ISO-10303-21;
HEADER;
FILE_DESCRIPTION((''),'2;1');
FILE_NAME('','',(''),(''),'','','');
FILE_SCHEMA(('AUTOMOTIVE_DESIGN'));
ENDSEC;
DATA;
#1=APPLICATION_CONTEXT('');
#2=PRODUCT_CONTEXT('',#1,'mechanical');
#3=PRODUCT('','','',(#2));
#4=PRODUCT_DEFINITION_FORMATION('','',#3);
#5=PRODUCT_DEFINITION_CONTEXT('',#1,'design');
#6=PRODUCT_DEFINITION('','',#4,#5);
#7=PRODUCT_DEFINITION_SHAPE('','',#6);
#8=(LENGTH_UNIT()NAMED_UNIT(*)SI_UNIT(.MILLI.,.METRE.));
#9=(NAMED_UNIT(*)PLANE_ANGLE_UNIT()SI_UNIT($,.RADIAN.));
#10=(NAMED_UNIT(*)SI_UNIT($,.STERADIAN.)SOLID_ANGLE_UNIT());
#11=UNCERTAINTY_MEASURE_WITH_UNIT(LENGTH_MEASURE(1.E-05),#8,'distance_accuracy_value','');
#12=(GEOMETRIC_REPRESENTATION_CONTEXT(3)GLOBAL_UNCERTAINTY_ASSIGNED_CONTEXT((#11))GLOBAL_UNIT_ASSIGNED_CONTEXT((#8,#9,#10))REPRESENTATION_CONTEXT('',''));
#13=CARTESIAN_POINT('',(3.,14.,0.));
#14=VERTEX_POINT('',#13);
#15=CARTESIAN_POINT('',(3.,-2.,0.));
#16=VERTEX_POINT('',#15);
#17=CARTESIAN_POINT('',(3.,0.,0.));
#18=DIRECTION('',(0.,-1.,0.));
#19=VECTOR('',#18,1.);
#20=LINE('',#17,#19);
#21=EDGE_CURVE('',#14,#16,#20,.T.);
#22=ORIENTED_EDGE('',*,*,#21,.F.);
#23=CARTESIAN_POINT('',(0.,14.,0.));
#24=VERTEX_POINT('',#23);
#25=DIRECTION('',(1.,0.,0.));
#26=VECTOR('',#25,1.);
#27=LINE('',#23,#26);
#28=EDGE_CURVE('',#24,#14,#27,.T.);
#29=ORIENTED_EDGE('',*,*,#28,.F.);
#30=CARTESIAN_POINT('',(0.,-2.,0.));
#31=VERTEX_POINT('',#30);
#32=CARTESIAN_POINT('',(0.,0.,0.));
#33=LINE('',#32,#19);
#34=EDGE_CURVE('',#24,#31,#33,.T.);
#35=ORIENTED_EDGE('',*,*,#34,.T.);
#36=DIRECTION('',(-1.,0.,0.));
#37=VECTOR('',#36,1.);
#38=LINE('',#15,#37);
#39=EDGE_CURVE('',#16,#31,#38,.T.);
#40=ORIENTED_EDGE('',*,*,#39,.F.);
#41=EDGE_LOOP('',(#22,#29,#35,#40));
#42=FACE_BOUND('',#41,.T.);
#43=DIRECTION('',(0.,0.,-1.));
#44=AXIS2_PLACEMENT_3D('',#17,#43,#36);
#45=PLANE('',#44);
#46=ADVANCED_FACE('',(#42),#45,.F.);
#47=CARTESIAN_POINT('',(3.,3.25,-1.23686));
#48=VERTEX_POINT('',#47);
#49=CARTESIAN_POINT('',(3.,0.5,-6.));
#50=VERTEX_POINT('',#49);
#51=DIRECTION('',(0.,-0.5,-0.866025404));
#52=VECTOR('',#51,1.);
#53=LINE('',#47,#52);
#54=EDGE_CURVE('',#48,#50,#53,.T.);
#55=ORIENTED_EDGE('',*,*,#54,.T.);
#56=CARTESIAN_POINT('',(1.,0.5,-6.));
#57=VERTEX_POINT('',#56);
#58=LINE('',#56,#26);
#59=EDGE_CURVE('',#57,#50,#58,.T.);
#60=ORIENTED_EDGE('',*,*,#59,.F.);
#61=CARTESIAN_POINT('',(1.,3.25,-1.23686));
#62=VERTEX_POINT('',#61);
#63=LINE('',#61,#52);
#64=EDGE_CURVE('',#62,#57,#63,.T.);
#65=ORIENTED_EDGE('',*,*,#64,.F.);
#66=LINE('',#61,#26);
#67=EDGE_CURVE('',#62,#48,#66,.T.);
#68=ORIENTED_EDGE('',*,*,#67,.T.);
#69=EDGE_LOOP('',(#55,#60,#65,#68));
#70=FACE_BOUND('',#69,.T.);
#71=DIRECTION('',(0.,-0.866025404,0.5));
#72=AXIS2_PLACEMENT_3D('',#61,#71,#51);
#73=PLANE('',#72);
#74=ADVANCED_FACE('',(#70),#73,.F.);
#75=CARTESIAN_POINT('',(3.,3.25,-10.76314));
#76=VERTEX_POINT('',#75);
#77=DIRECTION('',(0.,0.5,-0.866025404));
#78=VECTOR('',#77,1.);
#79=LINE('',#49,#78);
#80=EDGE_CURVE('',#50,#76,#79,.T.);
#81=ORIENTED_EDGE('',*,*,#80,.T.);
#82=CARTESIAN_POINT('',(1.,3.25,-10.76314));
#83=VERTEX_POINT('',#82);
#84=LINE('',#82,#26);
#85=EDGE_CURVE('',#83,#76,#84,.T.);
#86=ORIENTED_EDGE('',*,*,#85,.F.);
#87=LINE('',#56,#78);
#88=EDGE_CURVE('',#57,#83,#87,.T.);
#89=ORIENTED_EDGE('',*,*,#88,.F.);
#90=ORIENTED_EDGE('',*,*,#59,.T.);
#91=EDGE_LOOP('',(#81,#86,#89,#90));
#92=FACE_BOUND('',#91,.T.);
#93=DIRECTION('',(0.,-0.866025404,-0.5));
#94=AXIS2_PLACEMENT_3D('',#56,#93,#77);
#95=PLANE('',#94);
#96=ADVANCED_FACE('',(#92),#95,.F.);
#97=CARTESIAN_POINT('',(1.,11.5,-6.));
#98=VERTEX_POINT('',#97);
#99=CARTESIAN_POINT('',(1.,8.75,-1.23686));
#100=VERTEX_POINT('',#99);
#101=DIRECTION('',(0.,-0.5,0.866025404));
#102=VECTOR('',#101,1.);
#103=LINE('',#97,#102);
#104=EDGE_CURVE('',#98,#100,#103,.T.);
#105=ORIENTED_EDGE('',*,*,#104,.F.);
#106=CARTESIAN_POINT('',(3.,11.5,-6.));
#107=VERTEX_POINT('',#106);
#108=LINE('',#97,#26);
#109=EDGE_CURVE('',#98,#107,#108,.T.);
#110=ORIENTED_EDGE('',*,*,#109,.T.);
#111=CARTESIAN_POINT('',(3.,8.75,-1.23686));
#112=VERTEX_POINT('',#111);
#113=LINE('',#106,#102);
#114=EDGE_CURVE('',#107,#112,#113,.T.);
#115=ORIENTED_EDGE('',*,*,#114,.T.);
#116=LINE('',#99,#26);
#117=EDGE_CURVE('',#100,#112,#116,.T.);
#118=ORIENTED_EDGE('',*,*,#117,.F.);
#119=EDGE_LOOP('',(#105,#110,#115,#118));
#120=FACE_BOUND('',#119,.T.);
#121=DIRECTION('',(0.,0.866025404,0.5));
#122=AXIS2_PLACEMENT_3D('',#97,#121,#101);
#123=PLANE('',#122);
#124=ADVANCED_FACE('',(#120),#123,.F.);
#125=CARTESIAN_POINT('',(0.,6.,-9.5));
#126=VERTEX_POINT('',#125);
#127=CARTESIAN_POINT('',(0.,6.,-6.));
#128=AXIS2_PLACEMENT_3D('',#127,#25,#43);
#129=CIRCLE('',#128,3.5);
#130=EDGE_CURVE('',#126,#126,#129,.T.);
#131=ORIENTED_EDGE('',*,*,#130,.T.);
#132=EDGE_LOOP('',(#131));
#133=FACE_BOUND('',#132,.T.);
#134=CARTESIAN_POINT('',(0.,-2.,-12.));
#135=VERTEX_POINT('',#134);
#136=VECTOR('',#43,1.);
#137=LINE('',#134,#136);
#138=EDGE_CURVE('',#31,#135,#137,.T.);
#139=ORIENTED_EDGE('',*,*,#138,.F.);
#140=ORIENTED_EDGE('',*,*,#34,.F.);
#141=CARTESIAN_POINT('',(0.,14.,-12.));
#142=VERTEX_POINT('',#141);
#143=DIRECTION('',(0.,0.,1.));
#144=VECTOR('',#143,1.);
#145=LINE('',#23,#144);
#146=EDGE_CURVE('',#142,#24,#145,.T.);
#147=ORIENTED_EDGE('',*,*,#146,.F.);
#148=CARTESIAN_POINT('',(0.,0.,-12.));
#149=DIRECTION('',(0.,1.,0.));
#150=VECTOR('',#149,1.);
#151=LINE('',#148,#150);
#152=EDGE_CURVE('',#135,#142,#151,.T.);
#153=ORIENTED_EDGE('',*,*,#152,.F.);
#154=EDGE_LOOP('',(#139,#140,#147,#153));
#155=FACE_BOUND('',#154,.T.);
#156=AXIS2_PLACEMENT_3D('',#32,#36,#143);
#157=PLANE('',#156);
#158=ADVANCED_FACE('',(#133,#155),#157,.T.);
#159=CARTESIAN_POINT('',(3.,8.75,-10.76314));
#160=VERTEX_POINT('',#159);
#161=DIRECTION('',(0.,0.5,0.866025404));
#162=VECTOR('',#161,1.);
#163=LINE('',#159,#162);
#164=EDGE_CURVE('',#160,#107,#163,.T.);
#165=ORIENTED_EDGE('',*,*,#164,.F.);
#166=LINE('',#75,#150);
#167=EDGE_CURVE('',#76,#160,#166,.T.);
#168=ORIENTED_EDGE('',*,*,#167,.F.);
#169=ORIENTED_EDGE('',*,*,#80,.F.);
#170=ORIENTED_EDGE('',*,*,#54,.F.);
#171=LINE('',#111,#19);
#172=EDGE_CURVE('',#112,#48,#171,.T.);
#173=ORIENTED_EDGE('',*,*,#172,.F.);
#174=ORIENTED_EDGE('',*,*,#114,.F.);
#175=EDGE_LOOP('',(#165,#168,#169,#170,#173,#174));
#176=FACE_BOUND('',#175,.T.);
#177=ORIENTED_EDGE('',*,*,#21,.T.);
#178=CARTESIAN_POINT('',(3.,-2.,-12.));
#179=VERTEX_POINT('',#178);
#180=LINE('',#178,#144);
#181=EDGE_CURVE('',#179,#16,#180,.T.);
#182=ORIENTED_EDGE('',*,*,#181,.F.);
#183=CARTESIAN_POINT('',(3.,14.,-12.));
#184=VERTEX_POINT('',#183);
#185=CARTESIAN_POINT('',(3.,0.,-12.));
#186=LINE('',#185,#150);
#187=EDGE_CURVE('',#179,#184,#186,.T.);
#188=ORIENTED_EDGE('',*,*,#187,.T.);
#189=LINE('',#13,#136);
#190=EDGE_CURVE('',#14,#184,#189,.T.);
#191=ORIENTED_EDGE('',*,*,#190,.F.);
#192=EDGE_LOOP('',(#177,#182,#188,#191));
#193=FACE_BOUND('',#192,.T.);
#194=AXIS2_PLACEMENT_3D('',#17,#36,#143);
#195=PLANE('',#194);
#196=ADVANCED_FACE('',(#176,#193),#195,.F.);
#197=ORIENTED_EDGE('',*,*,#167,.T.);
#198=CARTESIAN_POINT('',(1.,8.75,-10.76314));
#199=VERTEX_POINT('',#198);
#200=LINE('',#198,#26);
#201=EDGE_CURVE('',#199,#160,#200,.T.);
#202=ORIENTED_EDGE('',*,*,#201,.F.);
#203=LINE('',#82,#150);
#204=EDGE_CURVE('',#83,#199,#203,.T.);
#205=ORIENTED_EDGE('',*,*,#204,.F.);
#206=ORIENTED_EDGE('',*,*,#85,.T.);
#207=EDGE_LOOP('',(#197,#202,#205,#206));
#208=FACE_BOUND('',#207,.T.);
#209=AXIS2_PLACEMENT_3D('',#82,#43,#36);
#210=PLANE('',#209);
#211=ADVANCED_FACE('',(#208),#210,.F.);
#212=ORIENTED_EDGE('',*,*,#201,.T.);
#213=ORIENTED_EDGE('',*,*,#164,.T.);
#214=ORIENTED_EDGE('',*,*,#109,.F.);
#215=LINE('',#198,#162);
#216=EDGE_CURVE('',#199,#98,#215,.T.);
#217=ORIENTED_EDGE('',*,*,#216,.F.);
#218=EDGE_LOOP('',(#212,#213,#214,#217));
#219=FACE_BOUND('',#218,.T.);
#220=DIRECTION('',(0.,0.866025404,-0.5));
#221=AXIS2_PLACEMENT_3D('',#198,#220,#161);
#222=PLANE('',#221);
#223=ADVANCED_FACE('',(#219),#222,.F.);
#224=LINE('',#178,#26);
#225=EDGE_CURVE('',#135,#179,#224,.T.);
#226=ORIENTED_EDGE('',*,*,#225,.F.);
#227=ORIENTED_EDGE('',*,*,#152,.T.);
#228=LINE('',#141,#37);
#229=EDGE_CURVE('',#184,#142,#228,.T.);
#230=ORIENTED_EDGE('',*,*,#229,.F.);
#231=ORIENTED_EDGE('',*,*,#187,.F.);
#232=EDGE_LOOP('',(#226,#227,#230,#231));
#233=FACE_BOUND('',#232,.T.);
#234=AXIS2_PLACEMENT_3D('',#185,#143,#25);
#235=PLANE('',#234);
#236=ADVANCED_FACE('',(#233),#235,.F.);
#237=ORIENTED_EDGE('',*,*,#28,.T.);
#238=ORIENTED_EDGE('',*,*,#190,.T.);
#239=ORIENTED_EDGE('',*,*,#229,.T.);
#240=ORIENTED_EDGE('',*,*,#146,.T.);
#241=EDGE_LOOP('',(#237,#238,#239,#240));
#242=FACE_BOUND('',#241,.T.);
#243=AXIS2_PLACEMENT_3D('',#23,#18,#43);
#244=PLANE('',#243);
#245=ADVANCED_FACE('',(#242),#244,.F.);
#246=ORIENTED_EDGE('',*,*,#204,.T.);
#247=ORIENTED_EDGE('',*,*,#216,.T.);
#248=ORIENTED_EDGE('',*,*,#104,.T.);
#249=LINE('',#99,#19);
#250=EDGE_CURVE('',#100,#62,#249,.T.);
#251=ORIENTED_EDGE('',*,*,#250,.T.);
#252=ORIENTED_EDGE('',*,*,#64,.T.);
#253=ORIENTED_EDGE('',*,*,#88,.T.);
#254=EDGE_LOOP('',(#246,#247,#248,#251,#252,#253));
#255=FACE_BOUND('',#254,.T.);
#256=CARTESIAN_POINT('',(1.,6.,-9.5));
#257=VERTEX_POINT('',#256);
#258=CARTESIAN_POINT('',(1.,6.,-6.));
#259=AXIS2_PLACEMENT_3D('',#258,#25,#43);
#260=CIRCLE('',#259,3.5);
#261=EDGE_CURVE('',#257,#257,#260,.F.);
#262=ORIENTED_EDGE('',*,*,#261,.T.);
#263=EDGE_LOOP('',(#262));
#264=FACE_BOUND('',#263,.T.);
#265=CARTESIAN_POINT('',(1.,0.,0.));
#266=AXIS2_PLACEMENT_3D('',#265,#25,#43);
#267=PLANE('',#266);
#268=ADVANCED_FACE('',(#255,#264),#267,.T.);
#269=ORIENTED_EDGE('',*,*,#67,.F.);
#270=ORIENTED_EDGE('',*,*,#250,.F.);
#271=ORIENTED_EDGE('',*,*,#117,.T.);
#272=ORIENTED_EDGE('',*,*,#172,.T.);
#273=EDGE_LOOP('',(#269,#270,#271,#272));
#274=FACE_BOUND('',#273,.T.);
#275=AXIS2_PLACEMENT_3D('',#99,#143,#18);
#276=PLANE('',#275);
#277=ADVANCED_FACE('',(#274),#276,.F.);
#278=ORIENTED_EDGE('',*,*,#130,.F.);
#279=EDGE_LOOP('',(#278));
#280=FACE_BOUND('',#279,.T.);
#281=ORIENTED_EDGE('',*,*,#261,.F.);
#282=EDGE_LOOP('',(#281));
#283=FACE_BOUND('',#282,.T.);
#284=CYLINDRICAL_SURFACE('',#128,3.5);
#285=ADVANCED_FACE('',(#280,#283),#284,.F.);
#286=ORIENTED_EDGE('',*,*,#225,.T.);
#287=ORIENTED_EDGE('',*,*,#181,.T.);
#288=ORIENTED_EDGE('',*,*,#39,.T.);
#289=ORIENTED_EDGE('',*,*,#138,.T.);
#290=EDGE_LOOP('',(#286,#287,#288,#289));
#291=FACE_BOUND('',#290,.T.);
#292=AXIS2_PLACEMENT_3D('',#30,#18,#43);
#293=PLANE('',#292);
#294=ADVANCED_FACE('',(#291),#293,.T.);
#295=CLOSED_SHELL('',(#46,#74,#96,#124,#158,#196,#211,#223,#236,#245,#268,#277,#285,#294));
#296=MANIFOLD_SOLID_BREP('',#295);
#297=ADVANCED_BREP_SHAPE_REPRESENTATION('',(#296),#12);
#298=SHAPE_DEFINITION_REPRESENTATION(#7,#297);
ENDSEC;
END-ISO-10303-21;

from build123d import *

# Parameters (mm, degrees)
SKETCH1_W           = 12
SKETCH1_H           = 12
BOSS_EXTRUDE1_DEPTH = 3
SKETCH2_R           = 3.5
CUT_EXTRUDE1_DEPTH  = 3
CUT_EXTRUDE2_DEPTH  = 2
SKETCH4_W           = 3
SKETCH4_H           = 12
BOSS_EXTRUDE2_DEPTH = 2
SKETCH5_W           = 3
SKETCH5_H           = 12
BOSS_EXTRUDE3_DEPTH = 2


with BuildPart() as part:
    # Sketch1 → Boss-Extrude1 (new body)
    with BuildSketch(Plane(origin=(0, 0, 0), x_dir=(0, 0, -1), z_dir=(1, 0, 0))):
        with Locations((6, 6)):
            Rectangle(SKETCH1_W, SKETCH1_H)
    extrude(amount=BOSS_EXTRUDE1_DEPTH)

    # Sketch2 → Cut-Extrude1 (cut)
    with BuildSketch(Plane(origin=(3, 0, 0), x_dir=(0, 0, -1), z_dir=(1, 0, 0))):
        with Locations((6, 6)):
            Circle(SKETCH2_R)
    extrude(amount=-CUT_EXTRUDE1_DEPTH, mode=Mode.SUBTRACT)

    # Sketch3 → Cut-Extrude2 (cut)
    with BuildSketch(Plane(origin=(3, 0, 0), x_dir=(0, 0, -1), z_dir=(1, 0, 0))):
        Polygon((6, 11.5), (1.236860279, 8.75), (1.236860279, 3.25), (6, 0.5), (10.763139721, 3.25), (10.763139721, 8.75), align=None)
    extrude(amount=-CUT_EXTRUDE2_DEPTH, mode=Mode.SUBTRACT)

    # Sketch4 → Boss-Extrude2 (add)
    with BuildSketch(Plane(origin=(0, 12, 0), x_dir=(1, 0, 0), z_dir=(0, 1, 0))):
        with Locations((1.5, 6)):
            Rectangle(SKETCH4_W, SKETCH4_H)
    extrude(amount=BOSS_EXTRUDE2_DEPTH)

    # Sketch5 → Boss-Extrude3 (add)
    with BuildSketch(Plane.XZ):
        with Locations((1.5, -6)):
            Rectangle(SKETCH5_W, SKETCH5_H)
    extrude(amount=BOSS_EXTRUDE3_DEPTH)


solid = part.part
